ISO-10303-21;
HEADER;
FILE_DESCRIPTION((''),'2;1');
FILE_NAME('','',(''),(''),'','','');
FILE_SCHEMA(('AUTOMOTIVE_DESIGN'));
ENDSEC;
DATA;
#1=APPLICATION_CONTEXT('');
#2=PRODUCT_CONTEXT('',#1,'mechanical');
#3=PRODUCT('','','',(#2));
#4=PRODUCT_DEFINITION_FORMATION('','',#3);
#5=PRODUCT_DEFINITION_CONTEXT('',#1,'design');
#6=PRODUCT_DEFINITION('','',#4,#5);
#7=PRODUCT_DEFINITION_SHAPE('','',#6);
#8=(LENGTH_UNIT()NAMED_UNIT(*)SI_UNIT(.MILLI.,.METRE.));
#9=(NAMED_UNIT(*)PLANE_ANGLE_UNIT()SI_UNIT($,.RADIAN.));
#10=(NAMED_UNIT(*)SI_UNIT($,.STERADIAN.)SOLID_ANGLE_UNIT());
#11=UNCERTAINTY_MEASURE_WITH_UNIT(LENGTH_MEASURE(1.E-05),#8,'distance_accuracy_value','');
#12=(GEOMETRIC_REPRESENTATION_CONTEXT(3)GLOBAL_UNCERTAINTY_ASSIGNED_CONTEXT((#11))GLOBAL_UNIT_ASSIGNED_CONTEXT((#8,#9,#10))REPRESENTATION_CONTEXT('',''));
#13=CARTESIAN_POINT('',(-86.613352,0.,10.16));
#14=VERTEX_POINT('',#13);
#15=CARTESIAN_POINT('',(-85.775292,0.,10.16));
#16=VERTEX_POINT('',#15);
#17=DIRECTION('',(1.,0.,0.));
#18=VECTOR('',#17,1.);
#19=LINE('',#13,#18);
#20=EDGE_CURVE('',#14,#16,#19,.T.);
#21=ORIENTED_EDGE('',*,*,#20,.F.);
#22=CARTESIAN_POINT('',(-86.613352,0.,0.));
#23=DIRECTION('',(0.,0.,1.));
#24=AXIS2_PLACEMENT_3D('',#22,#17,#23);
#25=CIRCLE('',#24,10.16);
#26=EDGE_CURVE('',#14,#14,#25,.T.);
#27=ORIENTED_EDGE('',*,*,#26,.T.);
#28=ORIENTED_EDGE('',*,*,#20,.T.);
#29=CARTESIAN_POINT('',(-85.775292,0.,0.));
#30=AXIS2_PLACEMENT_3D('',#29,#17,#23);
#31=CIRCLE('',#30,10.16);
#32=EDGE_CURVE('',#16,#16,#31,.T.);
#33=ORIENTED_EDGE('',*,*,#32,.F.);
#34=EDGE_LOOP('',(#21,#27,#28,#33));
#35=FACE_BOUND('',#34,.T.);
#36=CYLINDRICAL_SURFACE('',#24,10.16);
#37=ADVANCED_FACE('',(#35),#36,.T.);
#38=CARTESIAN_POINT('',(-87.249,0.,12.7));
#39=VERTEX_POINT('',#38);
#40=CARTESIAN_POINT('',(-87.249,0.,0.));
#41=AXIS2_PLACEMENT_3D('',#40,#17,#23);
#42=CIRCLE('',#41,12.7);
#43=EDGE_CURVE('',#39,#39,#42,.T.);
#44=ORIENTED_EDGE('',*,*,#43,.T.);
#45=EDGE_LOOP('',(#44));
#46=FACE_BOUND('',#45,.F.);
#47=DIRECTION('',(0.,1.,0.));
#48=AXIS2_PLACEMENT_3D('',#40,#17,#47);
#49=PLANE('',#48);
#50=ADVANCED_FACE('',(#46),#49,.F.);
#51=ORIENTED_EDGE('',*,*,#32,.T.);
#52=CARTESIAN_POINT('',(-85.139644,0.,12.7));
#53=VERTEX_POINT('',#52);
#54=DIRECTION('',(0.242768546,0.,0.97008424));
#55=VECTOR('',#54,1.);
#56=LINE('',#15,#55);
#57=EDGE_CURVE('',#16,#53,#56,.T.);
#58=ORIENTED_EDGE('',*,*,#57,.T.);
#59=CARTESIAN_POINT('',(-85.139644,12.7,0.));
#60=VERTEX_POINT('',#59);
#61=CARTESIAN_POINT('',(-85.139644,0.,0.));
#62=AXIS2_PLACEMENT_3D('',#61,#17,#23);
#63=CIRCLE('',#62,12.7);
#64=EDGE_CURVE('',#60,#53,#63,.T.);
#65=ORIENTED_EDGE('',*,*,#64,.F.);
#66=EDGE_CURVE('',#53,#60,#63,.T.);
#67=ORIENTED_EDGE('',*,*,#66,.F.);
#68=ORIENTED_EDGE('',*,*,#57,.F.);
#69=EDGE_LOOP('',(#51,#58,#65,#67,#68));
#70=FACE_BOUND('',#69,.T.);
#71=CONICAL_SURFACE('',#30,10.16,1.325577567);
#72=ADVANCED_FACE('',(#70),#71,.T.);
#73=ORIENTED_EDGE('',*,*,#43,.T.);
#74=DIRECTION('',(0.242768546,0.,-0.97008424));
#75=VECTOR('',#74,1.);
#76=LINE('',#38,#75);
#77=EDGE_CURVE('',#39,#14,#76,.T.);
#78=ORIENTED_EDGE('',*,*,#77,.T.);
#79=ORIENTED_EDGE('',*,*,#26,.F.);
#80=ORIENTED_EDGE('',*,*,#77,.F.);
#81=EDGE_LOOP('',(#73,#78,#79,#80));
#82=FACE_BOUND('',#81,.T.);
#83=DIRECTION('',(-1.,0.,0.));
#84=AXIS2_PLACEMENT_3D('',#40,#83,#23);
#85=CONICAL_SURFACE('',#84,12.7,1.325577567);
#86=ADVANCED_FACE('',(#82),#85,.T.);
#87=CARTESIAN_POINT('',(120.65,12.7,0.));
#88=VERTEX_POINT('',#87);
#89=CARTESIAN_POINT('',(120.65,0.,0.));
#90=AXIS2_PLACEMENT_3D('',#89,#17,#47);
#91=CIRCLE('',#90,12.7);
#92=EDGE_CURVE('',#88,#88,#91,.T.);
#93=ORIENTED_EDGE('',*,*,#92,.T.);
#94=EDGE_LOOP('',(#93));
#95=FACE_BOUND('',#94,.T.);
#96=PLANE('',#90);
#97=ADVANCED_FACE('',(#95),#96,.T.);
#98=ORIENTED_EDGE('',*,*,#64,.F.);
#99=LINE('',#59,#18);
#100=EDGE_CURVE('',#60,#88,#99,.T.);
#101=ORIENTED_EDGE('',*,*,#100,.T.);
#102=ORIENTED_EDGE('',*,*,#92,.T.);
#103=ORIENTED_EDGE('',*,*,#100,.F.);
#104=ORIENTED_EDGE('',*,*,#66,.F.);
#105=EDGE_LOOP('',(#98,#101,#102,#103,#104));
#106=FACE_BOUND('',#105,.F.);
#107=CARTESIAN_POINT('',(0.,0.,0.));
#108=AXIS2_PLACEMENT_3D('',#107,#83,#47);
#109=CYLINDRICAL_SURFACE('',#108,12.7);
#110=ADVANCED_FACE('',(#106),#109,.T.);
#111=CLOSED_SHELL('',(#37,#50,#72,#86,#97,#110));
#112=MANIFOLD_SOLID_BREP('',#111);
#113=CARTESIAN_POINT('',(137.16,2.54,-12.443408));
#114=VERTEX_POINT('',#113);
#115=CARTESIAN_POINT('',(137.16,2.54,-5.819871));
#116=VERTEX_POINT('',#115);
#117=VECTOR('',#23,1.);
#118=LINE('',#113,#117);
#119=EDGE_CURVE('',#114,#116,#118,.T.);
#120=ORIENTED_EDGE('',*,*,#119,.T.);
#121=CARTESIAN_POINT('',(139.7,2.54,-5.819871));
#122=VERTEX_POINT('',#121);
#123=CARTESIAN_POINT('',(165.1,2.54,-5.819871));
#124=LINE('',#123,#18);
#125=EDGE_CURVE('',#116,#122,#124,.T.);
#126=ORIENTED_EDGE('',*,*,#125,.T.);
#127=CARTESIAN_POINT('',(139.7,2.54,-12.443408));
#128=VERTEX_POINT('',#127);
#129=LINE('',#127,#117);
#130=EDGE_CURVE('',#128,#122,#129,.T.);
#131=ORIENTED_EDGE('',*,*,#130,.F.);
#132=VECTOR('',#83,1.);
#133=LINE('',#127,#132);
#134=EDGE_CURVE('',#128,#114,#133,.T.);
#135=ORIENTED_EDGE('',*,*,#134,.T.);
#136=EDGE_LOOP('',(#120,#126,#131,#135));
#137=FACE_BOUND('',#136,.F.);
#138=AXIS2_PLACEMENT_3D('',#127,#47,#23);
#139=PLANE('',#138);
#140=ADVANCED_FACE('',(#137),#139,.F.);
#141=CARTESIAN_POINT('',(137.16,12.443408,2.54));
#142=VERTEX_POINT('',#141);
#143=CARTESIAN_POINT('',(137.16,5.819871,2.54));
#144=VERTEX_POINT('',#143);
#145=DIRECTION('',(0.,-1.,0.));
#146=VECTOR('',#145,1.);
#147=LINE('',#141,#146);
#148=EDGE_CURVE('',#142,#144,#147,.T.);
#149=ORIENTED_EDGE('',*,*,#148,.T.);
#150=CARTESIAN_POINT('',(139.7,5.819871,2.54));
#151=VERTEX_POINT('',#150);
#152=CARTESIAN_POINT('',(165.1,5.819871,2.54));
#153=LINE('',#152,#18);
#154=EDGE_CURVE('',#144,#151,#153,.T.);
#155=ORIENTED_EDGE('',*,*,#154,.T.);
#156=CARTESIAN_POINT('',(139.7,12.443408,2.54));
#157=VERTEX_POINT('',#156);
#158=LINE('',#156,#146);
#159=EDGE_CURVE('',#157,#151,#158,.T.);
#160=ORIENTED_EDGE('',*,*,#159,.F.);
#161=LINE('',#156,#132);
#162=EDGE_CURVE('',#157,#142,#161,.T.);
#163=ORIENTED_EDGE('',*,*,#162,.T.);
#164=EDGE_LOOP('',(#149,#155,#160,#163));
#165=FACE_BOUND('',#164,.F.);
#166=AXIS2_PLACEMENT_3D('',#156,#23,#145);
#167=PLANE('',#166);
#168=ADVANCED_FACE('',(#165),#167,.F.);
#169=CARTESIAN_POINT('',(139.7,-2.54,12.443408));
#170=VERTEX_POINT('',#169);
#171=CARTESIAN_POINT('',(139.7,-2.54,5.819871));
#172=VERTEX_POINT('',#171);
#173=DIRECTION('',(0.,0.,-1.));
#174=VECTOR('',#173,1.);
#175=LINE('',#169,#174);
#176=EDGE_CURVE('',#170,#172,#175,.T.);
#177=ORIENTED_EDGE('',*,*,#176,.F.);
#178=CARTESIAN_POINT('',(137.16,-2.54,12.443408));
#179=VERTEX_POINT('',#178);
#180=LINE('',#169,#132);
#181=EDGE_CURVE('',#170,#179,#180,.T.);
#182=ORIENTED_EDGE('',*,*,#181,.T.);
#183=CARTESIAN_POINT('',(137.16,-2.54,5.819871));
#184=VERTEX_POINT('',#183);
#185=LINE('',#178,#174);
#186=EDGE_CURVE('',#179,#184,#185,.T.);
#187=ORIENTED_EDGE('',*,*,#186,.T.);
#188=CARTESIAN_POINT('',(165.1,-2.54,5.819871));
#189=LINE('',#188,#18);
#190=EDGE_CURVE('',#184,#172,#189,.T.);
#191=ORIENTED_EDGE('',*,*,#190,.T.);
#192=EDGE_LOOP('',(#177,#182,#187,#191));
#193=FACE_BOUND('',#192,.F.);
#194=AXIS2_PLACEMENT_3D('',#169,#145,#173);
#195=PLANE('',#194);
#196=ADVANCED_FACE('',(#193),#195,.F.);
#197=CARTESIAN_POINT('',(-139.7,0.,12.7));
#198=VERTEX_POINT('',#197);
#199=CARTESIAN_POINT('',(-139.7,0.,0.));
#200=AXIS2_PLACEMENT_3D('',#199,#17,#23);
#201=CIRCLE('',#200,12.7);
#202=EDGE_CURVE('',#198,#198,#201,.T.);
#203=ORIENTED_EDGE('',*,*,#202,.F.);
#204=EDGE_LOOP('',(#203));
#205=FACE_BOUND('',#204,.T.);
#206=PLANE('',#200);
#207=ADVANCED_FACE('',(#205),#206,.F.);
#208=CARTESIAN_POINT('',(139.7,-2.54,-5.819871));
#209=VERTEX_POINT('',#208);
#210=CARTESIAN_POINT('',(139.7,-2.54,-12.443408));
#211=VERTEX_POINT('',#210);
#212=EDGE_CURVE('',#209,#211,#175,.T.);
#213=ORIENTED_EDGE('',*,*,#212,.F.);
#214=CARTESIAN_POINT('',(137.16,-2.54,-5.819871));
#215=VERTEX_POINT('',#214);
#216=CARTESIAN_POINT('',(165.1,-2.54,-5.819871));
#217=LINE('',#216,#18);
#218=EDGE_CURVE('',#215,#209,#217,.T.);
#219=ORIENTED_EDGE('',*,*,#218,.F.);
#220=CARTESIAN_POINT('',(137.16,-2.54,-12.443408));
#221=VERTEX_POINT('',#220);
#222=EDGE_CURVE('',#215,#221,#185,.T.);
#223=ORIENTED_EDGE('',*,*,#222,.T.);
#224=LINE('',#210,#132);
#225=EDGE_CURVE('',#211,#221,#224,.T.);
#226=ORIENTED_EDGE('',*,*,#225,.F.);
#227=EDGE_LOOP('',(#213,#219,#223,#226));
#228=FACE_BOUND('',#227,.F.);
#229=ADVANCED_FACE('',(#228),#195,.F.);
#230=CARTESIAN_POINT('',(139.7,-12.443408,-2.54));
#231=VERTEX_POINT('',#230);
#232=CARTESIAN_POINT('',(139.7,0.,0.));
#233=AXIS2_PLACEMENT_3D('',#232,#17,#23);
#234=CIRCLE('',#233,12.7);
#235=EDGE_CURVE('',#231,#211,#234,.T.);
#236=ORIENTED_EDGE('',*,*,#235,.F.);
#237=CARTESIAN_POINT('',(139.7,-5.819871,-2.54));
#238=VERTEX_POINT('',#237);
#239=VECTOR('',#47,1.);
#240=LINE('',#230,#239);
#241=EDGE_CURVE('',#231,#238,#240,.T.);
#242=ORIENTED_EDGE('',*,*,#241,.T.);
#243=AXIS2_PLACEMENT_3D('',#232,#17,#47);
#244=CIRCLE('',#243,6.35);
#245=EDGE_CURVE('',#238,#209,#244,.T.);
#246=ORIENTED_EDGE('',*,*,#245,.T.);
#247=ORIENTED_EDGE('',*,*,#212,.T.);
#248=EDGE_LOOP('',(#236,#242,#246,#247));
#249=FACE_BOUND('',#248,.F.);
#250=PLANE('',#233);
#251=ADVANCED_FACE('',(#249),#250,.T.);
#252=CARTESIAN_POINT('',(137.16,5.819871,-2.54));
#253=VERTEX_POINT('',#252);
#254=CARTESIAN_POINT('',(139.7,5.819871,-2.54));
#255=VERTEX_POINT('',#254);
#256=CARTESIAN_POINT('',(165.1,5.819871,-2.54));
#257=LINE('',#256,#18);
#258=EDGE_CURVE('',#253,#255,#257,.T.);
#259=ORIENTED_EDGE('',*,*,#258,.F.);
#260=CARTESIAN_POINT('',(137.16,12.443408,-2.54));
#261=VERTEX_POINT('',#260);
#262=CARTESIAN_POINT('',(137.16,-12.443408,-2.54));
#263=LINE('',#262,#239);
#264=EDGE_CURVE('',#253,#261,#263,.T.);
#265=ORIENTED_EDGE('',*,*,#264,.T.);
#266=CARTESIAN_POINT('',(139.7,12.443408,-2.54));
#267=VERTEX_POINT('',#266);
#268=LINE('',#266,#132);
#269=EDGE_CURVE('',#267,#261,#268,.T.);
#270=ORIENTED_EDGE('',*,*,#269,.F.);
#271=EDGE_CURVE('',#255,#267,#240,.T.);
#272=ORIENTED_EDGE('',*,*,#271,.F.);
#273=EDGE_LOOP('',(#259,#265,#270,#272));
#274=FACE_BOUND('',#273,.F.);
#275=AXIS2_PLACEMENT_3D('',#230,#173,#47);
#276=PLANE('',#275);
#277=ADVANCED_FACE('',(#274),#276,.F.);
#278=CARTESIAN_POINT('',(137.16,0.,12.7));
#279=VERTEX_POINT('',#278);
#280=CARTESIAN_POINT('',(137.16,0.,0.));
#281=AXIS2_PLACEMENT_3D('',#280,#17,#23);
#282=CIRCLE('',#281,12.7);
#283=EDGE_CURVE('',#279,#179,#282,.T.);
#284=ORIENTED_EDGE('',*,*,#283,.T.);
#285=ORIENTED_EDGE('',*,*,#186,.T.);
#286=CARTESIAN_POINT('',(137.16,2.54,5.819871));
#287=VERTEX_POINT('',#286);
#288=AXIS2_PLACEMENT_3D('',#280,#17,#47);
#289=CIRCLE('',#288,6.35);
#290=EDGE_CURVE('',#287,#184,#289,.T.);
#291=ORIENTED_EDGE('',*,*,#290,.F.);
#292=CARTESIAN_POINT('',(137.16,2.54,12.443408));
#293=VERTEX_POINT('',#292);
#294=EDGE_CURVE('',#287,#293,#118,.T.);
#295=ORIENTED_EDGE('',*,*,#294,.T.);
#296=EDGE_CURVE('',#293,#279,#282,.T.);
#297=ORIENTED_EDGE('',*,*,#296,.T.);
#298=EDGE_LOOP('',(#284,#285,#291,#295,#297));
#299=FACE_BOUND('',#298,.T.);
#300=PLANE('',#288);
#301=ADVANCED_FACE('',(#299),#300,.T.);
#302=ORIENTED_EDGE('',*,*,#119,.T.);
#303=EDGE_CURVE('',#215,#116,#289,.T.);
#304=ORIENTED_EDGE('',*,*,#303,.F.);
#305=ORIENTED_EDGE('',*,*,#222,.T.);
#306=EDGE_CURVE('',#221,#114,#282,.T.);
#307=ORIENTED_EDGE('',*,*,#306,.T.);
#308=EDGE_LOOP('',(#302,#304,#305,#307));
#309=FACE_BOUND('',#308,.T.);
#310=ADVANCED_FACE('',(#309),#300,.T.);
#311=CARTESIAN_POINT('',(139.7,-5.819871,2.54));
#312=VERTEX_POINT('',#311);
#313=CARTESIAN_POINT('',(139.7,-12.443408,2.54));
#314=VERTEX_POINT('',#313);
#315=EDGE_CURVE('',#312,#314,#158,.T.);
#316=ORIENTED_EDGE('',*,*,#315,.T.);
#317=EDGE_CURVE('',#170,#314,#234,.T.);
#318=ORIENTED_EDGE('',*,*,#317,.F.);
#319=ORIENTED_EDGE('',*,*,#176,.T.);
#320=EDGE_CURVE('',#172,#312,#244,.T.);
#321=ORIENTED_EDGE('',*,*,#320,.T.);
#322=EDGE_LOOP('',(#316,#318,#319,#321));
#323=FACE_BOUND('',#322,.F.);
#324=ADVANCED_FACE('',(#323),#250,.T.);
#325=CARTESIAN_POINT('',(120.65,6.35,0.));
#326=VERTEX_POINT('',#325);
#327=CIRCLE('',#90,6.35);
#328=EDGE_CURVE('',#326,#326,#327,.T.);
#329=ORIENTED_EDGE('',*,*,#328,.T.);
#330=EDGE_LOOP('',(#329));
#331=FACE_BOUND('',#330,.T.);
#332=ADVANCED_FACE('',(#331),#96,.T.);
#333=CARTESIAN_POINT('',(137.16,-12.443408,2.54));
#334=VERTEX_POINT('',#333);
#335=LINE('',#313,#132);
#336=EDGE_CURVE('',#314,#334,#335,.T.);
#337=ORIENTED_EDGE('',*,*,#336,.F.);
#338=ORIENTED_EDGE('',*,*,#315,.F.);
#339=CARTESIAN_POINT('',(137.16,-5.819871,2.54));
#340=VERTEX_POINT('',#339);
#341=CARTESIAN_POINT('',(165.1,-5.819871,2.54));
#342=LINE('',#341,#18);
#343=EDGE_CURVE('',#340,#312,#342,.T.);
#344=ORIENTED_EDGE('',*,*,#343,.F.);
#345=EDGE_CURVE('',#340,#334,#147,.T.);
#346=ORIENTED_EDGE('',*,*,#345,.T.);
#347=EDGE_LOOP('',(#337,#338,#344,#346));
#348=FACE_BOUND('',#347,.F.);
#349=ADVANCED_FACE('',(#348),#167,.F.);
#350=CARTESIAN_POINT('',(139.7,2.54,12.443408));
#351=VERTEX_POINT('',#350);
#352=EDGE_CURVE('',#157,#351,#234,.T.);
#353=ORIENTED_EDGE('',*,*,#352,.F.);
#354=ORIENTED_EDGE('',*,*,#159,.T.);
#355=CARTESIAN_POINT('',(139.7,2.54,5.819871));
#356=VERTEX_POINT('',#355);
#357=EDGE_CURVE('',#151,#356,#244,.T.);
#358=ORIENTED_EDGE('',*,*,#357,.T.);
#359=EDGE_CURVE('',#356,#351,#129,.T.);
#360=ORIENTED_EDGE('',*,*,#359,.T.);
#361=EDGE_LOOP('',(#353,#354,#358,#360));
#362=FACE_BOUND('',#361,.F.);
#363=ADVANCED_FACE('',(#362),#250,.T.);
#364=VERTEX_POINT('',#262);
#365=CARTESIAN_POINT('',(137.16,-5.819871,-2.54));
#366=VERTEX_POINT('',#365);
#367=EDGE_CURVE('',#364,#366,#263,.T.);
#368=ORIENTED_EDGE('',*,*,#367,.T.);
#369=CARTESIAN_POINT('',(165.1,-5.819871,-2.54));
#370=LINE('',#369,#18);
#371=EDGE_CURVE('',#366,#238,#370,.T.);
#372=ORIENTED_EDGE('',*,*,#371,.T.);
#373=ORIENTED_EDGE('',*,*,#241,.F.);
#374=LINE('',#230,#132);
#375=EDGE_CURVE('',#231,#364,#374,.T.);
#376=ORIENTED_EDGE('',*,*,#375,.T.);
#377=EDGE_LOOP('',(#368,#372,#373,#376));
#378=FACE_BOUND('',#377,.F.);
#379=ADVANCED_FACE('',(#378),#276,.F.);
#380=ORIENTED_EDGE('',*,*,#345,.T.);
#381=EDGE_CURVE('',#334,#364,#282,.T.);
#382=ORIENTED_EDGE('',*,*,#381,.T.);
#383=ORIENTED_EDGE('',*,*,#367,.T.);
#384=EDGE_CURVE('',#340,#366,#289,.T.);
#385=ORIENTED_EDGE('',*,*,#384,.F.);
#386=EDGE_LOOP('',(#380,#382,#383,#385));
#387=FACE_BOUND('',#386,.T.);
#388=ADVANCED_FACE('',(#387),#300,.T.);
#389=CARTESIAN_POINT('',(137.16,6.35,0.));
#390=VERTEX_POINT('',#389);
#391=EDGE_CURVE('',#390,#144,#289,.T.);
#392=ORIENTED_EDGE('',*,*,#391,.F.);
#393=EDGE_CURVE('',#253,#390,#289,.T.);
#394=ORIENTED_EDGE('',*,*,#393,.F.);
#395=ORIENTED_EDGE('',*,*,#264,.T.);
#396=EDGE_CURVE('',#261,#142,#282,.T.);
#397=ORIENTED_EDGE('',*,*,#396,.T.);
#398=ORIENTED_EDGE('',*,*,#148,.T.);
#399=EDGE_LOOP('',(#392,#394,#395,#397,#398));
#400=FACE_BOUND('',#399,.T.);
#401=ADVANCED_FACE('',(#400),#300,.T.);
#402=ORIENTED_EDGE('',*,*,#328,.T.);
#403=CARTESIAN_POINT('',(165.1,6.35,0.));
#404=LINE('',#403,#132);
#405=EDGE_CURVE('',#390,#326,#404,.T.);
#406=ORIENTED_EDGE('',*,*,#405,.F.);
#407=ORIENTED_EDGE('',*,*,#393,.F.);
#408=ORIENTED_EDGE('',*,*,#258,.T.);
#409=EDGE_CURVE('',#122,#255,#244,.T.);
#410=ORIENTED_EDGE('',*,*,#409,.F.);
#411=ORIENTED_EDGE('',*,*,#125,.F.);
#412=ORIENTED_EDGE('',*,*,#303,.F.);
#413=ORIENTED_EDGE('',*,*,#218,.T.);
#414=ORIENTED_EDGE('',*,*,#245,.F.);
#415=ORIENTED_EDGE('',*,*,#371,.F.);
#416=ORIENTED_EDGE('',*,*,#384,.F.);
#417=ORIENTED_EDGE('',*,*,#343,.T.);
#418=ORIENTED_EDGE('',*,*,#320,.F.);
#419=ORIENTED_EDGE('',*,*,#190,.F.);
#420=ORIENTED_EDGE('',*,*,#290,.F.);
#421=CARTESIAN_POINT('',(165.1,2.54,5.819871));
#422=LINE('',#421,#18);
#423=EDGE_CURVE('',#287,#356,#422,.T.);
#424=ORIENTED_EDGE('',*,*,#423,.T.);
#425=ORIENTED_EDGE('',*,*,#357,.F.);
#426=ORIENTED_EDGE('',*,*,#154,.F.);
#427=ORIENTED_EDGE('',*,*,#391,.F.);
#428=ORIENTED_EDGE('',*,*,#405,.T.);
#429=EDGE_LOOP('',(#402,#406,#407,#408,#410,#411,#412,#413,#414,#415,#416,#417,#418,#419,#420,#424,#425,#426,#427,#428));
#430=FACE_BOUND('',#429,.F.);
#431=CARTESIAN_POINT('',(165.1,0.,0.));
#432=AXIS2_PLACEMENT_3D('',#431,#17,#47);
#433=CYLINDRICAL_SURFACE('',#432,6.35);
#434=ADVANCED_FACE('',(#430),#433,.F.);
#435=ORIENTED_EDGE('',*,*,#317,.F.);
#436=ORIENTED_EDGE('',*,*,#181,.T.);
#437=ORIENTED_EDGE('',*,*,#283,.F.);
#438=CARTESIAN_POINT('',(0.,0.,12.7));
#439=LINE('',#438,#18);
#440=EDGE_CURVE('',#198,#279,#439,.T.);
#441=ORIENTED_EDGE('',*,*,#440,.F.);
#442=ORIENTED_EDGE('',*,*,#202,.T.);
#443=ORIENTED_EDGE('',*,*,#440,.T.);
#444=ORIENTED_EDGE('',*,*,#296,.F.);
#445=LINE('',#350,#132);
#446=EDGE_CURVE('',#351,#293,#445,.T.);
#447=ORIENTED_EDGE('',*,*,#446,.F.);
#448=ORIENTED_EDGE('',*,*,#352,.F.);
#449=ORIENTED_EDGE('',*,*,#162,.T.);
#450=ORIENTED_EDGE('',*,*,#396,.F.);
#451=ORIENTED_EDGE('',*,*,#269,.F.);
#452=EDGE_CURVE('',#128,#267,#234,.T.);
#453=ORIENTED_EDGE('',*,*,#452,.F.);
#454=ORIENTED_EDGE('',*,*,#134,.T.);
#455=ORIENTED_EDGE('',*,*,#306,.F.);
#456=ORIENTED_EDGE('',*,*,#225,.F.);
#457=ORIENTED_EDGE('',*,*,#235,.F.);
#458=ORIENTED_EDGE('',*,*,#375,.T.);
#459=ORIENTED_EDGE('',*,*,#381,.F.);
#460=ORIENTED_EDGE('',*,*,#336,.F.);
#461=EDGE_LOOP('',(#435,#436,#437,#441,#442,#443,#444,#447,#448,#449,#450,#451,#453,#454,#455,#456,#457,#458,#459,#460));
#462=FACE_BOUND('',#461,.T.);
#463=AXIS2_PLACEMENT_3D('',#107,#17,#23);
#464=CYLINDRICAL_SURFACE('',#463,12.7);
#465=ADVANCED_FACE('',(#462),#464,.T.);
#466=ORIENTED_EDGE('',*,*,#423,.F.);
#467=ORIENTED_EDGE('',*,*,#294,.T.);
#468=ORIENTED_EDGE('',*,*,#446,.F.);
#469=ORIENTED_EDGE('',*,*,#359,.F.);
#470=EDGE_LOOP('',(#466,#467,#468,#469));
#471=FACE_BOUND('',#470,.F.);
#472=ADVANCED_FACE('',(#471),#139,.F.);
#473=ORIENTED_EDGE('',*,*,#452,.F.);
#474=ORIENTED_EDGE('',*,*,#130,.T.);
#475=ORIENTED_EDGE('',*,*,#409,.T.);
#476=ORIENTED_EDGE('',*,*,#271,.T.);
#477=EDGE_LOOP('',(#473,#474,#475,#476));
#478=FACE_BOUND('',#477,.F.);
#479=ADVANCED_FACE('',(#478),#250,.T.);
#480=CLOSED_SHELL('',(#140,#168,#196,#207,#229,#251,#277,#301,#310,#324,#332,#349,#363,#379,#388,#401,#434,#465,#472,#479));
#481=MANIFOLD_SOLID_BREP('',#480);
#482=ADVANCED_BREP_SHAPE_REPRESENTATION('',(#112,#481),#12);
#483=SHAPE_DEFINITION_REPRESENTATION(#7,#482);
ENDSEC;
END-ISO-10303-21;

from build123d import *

# Parameters (mm, degrees)
F0_W           = 279.4
F0_H           = 12.7
F3_R           = 6.35
F4_DEPTH       = 44.45
F6_DEPTH       = 2.54
F8_DEPTH       = 2.54
F9_R           = 12.7
F10_DEPTH      = 87.249
F10_DEPTH_BACK = 120.65


with BuildPart() as f1:
    # F0 (on Front) → F1 (revolve)
    with BuildSketch(Plane.XZ):
        with Locations((0, 6.35)):
            Rectangle(F0_W, F0_H)
    revolve(axis=Axis((-13.8321295381, 0, 0), (1, 0, 0)))

    # F3 (on offset) → F4 (cut)
    with BuildSketch(Plane.YZ.offset(165.1)):
        Circle(F3_R)
    extrude(amount=-F4_DEPTH, mode=Mode.SUBTRACT)

    # F5 (on face) → F6 (cut)
    with BuildSketch(Plane.YZ.offset(139.7)):
        with BuildLine():
            Line((12.4434078933, 2.54), (-12.4434078933, 2.54))
            ThreePointArc((-12.4434078933, 2.54), (-14.9834078933, 0), (-12.4434078933, -2.54))
            Line((-12.4434078933, -2.54), (12.4434078933, -2.54))
            ThreePointArc((12.4434078933, -2.54), (14.9834078933, 0), (12.4434078933, 2.54))
        make_face()
    extrude(amount=-F6_DEPTH, mode=Mode.SUBTRACT)

    # F7 (on face) → F8 (cut)
    with BuildSketch(Plane.YZ.offset(139.7)):
        with BuildLine():
            Line((2.54, -12.4434078933), (2.54, 12.4434078933))
            ThreePointArc((2.54, 12.4434078933), (0, 14.9834078933), (-2.54, 12.4434078933))
            Line((-2.54, 12.4434078933), (-2.54, -12.4434078933))
            ThreePointArc((-2.54, -12.4434078933), (0, -14.9834078933), (2.54, -12.4434078933))
        make_face()
    extrude(amount=-F8_DEPTH, mode=Mode.SUBTRACT)


with BuildPart() as f10:
    # F9 (on Right) → F10 (new body, two sides)
    with BuildSketch(Plane.YZ) as f10_sk:
        Circle(F9_R)
    extrude(amount=-F10_DEPTH)
    extrude(f10_sk.sketch, amount=F10_DEPTH_BACK)

    # F11 (on Front) → F12 (revolve, cut)
    with BuildSketch(Plane.XZ):
        Polygon((-87.249, 12.7), (-86.613352, 10.16), (-85.7752920052, 10.16), (-85.1396440051, 12.7), align=None)
    revolve(axis=Axis((-13.8321295381, 0, 0), (1, 0, 0)), mode=Mode.SUBTRACT)


solid = Compound([f1.part, f10.part])
